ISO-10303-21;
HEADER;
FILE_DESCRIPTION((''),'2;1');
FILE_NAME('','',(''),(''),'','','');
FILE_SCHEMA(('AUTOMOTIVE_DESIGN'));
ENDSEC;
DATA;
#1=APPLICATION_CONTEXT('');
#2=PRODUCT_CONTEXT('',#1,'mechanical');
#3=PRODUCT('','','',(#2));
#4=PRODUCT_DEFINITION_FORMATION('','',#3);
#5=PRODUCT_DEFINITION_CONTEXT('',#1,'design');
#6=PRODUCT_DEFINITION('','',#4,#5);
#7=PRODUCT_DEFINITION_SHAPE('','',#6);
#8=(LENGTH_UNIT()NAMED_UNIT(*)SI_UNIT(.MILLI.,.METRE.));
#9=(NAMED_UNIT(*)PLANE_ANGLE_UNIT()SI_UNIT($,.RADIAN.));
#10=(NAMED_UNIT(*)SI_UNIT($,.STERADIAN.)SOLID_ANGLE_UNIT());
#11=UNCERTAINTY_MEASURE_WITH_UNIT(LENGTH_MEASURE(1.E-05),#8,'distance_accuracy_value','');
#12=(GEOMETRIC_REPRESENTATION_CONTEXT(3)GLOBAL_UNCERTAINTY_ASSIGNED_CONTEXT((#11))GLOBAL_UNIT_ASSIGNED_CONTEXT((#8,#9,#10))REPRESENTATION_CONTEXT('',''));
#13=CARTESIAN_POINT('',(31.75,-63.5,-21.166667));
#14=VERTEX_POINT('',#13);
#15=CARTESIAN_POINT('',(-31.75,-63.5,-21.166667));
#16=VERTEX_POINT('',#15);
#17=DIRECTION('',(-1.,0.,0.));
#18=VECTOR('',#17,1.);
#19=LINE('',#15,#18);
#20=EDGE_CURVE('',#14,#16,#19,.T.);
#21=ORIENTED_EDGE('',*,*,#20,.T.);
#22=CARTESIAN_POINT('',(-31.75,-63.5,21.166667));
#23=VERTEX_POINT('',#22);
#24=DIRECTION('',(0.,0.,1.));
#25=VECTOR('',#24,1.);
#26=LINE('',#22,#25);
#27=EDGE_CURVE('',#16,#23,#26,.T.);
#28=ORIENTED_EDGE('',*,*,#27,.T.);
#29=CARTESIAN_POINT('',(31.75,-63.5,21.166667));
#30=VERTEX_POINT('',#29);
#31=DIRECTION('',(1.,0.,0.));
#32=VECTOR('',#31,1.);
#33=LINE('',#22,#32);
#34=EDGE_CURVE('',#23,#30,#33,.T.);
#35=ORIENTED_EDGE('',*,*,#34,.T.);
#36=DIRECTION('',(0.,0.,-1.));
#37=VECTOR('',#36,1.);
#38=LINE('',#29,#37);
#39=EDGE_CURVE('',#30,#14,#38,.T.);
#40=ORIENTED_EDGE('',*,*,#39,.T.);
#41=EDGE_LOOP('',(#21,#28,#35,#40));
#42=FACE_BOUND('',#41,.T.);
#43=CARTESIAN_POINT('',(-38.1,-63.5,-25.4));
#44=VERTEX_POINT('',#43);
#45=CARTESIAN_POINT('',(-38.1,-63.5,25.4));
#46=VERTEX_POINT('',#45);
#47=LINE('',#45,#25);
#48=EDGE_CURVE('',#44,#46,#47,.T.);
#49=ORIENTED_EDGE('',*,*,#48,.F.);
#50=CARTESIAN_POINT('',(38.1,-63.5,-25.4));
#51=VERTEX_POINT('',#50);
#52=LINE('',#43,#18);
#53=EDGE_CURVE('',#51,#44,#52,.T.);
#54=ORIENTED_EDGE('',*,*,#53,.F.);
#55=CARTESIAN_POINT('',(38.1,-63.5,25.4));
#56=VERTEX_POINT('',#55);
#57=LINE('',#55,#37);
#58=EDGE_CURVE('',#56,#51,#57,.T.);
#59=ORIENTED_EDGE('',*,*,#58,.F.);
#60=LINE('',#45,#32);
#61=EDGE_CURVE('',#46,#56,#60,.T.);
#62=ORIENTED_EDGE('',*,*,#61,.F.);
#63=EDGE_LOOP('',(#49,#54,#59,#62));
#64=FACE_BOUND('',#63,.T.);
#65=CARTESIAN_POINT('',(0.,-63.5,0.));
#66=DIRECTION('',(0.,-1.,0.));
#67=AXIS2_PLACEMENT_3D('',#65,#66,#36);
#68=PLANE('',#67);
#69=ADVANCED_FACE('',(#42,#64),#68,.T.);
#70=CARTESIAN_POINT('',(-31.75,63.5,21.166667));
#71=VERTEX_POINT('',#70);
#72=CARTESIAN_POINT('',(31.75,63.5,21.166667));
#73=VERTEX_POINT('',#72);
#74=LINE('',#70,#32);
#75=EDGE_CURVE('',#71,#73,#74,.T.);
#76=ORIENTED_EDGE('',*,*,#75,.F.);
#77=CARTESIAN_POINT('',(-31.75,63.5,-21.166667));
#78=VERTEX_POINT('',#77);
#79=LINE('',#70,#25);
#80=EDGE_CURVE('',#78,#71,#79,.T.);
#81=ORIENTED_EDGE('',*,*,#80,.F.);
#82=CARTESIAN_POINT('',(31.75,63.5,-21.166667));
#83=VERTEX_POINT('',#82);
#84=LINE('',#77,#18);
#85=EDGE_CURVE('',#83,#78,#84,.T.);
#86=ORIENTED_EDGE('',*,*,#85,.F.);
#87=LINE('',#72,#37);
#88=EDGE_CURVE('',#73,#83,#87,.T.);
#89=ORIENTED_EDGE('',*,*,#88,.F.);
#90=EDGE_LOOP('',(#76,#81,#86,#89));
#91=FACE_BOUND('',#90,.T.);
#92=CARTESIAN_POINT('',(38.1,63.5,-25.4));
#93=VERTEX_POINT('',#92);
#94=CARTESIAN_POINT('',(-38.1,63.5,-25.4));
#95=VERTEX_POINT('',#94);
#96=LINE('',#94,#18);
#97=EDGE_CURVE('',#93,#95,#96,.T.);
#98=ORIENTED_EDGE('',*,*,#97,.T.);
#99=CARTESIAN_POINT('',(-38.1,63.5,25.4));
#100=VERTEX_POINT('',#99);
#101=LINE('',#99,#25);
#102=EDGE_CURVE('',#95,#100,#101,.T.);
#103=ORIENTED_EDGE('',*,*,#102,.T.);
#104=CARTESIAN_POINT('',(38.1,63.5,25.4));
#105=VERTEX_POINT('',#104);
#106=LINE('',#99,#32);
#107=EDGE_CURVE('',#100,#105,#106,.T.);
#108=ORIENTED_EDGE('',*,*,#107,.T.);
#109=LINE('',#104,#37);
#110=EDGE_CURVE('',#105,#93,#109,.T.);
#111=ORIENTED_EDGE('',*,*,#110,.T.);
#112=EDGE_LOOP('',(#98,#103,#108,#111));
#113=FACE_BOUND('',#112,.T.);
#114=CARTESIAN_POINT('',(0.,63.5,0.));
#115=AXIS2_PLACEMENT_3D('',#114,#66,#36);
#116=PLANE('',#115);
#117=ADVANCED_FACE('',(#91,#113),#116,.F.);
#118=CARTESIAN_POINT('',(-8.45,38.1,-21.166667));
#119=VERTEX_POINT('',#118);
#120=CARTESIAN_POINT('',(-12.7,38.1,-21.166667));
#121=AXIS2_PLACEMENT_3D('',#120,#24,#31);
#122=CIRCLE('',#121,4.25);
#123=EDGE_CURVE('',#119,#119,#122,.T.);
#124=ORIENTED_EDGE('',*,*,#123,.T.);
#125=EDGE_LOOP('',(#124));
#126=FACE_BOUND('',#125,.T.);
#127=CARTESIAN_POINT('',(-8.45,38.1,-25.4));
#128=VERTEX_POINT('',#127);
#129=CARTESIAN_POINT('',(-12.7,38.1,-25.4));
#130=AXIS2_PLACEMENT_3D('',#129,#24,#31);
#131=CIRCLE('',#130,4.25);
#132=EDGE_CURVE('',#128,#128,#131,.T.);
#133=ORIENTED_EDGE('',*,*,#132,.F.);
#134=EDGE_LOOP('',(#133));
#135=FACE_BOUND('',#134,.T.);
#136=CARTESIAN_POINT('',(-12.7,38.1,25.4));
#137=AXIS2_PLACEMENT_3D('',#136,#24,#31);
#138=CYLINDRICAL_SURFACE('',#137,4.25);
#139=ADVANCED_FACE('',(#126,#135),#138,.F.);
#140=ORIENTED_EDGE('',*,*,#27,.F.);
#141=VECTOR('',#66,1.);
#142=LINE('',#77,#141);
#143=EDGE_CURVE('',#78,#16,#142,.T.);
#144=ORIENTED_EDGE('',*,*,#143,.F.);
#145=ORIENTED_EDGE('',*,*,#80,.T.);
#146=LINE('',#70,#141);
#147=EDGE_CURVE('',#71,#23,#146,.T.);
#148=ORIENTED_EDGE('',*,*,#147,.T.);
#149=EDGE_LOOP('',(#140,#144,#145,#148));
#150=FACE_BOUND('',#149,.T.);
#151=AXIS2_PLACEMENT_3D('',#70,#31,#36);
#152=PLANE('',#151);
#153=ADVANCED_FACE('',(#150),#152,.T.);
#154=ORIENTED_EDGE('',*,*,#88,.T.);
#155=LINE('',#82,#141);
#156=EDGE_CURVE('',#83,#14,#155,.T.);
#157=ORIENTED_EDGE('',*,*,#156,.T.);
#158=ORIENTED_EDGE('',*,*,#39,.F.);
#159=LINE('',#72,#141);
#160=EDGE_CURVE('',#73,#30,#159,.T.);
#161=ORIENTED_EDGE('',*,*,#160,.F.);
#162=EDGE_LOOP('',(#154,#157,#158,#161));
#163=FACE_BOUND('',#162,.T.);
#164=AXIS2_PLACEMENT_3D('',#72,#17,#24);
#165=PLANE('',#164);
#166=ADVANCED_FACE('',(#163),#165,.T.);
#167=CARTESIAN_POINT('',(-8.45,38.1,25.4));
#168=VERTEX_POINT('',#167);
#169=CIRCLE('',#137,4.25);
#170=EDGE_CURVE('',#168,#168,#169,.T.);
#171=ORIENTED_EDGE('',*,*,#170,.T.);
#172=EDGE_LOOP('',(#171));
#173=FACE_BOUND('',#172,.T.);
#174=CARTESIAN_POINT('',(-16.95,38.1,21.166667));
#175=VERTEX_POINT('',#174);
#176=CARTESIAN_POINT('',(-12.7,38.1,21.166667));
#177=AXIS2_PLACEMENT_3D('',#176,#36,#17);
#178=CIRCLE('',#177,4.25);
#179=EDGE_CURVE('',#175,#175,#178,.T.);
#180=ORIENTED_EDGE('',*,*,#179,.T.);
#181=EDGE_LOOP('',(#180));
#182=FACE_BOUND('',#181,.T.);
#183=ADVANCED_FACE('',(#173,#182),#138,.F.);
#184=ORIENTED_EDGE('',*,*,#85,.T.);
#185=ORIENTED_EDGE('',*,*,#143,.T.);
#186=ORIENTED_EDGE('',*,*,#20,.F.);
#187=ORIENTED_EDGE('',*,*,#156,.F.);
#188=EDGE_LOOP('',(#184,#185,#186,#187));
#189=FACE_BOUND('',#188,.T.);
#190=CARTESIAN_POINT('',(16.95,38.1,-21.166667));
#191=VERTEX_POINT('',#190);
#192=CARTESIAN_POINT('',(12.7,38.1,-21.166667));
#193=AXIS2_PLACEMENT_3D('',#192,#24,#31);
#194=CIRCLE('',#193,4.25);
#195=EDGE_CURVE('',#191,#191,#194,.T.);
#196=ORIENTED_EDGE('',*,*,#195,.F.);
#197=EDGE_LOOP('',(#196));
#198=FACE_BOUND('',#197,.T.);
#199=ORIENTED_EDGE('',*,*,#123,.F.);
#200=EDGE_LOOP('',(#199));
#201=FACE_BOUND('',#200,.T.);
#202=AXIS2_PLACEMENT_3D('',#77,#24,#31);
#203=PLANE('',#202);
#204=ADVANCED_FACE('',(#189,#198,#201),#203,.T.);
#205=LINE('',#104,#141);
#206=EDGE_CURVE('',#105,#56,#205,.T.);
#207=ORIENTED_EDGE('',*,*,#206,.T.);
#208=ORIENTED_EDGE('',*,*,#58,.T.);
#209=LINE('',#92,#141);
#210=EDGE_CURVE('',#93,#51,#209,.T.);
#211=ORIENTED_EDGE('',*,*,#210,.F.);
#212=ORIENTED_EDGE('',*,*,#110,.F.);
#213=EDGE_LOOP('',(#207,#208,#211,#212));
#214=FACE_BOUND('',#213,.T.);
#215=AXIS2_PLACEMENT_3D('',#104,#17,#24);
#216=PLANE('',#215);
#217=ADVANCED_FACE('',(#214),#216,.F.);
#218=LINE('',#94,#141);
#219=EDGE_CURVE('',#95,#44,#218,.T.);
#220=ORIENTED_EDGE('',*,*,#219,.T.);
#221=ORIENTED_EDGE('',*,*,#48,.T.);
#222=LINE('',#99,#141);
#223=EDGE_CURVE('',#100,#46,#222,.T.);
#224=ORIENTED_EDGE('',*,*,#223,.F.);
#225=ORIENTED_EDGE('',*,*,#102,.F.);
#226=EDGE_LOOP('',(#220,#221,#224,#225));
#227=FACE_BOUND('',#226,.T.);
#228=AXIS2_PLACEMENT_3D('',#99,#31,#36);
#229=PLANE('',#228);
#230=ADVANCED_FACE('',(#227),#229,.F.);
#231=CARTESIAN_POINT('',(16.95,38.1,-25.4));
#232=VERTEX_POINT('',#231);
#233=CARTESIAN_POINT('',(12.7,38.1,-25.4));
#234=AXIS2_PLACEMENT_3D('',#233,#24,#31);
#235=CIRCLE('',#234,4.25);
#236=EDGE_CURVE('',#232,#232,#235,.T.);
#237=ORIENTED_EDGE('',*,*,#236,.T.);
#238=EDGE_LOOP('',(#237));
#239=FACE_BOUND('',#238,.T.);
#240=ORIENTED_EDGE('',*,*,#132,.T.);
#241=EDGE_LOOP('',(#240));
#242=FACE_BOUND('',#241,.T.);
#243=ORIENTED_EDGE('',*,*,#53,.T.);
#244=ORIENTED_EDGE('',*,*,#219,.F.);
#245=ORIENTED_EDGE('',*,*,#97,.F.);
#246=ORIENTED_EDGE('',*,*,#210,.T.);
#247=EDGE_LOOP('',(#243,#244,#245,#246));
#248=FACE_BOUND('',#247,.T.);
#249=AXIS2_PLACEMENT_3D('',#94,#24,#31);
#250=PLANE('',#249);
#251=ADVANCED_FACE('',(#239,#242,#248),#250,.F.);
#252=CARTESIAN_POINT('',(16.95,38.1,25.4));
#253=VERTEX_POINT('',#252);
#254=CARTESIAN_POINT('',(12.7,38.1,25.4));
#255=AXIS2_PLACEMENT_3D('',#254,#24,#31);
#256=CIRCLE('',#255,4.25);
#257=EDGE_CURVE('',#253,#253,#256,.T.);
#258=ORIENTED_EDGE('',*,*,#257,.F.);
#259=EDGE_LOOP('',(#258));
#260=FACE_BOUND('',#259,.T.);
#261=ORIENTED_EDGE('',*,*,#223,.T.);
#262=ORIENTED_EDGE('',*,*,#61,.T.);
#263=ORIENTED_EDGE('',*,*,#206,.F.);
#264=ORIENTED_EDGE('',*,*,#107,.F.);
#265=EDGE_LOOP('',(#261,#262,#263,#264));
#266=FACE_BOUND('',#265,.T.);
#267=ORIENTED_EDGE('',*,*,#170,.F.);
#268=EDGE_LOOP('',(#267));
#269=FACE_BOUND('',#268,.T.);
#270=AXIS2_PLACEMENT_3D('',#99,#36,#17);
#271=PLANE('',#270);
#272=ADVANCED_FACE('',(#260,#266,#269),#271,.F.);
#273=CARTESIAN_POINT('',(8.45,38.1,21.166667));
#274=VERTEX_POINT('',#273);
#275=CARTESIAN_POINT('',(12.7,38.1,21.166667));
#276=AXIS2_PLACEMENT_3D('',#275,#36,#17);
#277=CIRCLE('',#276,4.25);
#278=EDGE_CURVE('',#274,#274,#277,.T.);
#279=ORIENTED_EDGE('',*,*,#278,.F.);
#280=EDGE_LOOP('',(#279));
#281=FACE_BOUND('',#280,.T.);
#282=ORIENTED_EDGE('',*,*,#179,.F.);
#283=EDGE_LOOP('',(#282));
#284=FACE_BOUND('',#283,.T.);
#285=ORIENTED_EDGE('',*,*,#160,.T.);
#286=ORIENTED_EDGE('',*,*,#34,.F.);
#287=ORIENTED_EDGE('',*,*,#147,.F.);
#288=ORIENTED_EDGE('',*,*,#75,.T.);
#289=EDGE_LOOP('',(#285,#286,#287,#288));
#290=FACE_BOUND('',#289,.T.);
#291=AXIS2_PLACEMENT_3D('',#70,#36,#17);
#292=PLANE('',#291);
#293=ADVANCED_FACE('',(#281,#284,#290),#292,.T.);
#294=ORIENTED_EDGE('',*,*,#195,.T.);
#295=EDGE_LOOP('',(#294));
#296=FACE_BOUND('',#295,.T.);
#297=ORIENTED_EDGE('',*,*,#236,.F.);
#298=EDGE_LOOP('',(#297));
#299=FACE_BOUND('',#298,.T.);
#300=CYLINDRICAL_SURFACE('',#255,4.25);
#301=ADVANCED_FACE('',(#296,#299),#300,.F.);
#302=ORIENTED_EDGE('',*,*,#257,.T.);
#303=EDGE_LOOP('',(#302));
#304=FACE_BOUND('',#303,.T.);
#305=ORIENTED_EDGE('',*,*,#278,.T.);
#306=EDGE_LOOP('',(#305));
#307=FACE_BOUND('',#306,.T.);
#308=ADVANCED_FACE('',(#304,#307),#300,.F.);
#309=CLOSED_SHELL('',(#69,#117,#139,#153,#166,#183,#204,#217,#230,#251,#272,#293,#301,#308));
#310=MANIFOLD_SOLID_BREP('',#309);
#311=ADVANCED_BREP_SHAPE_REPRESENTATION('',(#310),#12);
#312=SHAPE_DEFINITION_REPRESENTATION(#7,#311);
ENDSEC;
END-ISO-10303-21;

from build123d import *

# Parameters (mm, degrees)
SKETCH1_W                    = 76.2
SKETCH1_H                    = 50.8
SKETCH1_W_2                  = 63.5
SKETCH1_H_2                  = 42.333333334
BOSS_EXTRUDE1_DEPTH          = 63.5
TAP_DRILL_FOR_M10X1_5_TAP1_D = 8.5


with BuildPart() as part:
    # Sketch1 → Boss-Extrude1 (new body, symmetric)
    with BuildSketch(Plane(origin=(0, 0, 0), x_dir=(1, 0, 0), z_dir=(0, 1, 0))):
        Rectangle(SKETCH1_W, SKETCH1_H)
        Rectangle(SKETCH1_W_2, SKETCH1_H_2, mode=Mode.SUBTRACT)
    extrude(amount=BOSS_EXTRUDE1_DEPTH, both=True)

    # Tap Drill for M10x1.5 Tap1 (through all)
    with Locations(Plane.XY.offset(25.4)):
        with Locations((-12.7, 38.1), (12.7, 38.1)):
            Hole(TAP_DRILL_FOR_M10X1_5_TAP1_D / 2)


solid = part.part
